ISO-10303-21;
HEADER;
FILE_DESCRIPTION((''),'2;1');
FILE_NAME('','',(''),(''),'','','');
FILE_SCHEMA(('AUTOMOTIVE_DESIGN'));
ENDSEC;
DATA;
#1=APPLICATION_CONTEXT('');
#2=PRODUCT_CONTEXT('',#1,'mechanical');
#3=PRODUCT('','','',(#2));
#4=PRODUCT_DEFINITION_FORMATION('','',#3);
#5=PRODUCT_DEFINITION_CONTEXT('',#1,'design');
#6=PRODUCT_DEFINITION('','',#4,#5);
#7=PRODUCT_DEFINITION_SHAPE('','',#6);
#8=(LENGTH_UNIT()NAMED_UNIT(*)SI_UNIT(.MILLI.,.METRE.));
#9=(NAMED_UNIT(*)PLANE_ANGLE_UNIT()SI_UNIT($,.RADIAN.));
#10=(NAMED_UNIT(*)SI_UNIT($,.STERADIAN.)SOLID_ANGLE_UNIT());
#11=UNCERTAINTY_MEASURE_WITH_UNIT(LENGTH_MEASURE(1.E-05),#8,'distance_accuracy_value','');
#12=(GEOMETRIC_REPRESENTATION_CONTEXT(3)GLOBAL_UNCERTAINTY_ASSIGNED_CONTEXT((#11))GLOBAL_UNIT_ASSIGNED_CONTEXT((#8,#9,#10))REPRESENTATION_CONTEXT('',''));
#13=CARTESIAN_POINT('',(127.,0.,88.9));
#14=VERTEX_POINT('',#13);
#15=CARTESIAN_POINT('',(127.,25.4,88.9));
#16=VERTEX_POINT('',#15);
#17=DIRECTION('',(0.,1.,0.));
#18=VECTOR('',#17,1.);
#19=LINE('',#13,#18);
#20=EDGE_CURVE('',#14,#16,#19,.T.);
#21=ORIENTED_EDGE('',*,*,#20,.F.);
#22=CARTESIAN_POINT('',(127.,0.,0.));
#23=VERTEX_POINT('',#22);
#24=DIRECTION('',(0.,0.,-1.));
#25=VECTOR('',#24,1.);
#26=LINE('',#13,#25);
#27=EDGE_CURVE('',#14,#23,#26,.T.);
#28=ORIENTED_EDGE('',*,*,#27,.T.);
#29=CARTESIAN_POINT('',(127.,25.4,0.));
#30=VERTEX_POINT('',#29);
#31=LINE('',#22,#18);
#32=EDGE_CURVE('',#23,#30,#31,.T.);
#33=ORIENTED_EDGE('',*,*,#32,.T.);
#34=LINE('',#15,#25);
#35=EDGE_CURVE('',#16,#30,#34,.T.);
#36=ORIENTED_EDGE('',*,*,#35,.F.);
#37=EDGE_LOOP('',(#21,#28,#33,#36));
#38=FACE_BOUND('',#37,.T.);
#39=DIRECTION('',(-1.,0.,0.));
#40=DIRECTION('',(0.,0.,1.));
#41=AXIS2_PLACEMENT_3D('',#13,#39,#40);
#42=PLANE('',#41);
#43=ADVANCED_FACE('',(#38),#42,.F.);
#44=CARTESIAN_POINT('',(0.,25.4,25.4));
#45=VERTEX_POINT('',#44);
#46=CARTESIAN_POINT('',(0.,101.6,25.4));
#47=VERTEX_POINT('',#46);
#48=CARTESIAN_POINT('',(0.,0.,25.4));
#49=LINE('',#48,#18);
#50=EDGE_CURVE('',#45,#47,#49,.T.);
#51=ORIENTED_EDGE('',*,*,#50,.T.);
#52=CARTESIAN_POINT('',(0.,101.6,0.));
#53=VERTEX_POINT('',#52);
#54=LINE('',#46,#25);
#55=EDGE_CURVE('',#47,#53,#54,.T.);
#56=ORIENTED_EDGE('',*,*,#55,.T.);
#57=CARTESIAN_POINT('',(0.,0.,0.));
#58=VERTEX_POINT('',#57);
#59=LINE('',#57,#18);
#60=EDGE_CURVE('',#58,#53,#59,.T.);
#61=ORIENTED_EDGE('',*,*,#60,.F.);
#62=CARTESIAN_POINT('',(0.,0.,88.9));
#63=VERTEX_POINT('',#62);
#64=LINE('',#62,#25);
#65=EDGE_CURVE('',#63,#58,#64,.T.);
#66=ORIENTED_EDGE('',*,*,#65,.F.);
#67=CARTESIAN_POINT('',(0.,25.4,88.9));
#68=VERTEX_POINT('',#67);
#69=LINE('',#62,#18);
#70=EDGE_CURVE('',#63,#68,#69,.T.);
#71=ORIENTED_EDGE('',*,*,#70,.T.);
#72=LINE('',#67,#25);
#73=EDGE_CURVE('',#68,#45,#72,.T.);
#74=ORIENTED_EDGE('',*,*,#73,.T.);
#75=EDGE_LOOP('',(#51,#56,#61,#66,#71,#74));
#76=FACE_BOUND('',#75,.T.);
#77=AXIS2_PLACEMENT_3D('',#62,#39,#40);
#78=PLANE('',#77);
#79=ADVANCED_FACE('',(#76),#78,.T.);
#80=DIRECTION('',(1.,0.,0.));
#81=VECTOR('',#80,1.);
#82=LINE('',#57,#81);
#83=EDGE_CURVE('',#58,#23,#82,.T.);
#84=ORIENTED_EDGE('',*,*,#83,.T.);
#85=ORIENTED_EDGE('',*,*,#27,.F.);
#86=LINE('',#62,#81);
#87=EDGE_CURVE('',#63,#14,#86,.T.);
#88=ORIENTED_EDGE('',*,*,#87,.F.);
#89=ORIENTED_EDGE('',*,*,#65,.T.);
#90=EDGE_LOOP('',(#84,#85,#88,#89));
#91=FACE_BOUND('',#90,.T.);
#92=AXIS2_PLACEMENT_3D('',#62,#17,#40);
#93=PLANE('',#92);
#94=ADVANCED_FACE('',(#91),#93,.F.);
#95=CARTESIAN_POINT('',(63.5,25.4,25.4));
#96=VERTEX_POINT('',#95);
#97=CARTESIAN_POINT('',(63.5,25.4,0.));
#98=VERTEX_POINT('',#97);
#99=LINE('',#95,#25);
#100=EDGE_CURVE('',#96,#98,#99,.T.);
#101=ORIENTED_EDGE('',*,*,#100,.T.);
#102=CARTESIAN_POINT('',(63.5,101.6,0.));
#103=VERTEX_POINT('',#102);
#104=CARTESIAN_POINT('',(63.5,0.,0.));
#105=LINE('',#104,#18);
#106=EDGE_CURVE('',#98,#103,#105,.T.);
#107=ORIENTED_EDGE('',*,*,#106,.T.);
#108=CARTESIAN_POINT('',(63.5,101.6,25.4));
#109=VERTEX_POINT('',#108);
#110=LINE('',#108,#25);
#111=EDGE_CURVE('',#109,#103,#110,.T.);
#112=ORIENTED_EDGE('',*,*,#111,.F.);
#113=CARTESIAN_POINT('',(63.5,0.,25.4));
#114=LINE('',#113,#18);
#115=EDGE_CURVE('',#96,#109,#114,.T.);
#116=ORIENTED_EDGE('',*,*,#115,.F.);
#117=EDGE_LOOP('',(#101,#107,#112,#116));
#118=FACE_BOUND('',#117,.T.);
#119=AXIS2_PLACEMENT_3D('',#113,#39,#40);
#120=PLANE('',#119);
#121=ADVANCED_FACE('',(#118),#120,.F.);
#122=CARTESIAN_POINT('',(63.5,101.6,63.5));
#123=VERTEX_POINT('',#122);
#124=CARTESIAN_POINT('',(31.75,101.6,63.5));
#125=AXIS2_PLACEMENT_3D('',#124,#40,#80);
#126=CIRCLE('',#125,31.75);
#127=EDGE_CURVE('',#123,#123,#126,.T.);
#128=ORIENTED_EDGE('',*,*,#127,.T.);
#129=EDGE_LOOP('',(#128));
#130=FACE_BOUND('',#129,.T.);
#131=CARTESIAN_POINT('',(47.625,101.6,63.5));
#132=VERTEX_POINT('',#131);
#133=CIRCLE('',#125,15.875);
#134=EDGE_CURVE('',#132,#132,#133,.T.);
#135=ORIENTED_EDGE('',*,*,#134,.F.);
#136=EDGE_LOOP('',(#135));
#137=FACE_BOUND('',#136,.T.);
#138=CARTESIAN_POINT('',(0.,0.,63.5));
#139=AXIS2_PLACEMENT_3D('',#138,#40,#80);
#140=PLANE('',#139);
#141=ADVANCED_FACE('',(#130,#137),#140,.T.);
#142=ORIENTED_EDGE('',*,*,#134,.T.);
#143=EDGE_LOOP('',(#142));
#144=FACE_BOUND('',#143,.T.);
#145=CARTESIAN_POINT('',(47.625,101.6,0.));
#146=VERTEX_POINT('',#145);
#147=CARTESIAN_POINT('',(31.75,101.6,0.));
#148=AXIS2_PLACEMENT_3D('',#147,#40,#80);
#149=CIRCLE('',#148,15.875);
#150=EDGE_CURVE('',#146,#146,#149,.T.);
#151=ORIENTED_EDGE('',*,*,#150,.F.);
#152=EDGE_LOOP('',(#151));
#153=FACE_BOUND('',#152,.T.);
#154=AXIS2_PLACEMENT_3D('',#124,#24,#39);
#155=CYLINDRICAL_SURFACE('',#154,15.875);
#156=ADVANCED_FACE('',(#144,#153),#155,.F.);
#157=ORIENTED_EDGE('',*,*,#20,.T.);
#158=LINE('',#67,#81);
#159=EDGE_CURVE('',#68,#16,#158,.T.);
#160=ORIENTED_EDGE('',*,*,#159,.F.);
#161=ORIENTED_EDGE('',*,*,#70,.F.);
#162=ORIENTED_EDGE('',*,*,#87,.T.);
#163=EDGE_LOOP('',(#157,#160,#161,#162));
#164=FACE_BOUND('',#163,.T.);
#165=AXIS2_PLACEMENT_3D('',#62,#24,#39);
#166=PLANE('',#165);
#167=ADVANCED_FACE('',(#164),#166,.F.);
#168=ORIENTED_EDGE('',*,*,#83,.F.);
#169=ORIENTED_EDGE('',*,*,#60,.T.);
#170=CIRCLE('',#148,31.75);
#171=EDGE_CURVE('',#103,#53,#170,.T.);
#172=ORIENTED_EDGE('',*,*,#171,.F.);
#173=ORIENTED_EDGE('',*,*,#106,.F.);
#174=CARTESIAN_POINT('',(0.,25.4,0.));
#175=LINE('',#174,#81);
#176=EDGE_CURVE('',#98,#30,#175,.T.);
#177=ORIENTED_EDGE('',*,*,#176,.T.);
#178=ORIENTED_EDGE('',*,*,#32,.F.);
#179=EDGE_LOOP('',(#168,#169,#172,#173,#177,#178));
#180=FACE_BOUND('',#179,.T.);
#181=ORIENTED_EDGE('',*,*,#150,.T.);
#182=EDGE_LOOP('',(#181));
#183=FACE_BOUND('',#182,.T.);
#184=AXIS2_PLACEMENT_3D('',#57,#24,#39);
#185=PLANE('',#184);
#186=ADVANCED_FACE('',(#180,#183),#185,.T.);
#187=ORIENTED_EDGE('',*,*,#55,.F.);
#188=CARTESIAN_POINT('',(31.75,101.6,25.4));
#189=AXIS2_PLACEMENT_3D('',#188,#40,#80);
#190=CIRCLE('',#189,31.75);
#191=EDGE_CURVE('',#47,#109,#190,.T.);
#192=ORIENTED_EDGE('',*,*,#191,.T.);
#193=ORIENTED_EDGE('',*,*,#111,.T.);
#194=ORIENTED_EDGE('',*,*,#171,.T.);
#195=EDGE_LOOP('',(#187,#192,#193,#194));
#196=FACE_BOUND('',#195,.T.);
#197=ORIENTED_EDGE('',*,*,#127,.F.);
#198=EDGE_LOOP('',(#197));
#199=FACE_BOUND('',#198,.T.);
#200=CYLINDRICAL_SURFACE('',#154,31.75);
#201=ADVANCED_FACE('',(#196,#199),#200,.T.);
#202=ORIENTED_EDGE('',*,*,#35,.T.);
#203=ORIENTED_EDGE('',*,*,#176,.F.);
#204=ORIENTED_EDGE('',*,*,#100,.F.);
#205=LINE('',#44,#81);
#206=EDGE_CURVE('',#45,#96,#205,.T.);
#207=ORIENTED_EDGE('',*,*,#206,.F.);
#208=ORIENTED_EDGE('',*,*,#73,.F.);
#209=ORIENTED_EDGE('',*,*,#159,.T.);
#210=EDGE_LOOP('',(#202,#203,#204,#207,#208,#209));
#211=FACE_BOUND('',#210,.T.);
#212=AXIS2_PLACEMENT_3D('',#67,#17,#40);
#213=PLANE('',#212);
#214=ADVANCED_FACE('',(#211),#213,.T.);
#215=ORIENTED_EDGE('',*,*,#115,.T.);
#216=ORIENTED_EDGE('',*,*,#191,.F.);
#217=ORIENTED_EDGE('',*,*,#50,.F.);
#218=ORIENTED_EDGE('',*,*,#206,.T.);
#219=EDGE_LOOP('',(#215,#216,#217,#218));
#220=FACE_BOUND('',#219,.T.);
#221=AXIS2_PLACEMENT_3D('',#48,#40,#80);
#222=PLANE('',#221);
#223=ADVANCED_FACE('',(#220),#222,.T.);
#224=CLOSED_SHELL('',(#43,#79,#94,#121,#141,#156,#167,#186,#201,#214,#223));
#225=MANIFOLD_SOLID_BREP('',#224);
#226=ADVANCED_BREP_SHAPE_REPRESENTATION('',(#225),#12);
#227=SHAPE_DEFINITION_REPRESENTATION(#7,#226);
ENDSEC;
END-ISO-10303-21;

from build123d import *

# Parameters (mm, degrees)
SKETCH1_W           = 127
SKETCH1_H           = 25.4
BOSS_EXTRUDE1_DEPTH = 88.9
BOSS_EXTRUDE2_DEPTH = 25.4
SKETCH1_4_R         = 31.75
SKETCH1_4_R_2       = 15.875
BOSS_EXTRUDE3_DEPTH = 63.5


with BuildPart() as part:
    # Sketch1 → Boss-Extrude1 (new body)
    with BuildSketch(Plane.XY):
        with Locations((63.5, 12.7)):
            Rectangle(SKETCH1_W, SKETCH1_H)
    extrude(amount=BOSS_EXTRUDE1_DEPTH)

    # Sketch1<3> → Boss-Extrude2 (add)
    with BuildSketch(Plane.XY):
        with BuildLine():
            Line((0, 101.6), (0, 25.4))
            Line((0, 25.4), (63.5, 25.4))
            Line((63.5, 25.4), (63.5, 101.6))
            ThreePointArc((63.5, 101.6), (31.75, 69.85), (0, 101.6))
        make_face()
    extrude(amount=BOSS_EXTRUDE2_DEPTH)

    # Sketch1<4> → Boss-Extrude3 (add)
    with BuildSketch(Plane.XY):
        with Locations((31.75, 101.6)):
            Circle(SKETCH1_4_R)
        with Locations((31.75, 101.6)):
            Circle(SKETCH1_4_R_2, mode=Mode.SUBTRACT)
    extrude(amount=BOSS_EXTRUDE3_DEPTH)


solid = part.part
